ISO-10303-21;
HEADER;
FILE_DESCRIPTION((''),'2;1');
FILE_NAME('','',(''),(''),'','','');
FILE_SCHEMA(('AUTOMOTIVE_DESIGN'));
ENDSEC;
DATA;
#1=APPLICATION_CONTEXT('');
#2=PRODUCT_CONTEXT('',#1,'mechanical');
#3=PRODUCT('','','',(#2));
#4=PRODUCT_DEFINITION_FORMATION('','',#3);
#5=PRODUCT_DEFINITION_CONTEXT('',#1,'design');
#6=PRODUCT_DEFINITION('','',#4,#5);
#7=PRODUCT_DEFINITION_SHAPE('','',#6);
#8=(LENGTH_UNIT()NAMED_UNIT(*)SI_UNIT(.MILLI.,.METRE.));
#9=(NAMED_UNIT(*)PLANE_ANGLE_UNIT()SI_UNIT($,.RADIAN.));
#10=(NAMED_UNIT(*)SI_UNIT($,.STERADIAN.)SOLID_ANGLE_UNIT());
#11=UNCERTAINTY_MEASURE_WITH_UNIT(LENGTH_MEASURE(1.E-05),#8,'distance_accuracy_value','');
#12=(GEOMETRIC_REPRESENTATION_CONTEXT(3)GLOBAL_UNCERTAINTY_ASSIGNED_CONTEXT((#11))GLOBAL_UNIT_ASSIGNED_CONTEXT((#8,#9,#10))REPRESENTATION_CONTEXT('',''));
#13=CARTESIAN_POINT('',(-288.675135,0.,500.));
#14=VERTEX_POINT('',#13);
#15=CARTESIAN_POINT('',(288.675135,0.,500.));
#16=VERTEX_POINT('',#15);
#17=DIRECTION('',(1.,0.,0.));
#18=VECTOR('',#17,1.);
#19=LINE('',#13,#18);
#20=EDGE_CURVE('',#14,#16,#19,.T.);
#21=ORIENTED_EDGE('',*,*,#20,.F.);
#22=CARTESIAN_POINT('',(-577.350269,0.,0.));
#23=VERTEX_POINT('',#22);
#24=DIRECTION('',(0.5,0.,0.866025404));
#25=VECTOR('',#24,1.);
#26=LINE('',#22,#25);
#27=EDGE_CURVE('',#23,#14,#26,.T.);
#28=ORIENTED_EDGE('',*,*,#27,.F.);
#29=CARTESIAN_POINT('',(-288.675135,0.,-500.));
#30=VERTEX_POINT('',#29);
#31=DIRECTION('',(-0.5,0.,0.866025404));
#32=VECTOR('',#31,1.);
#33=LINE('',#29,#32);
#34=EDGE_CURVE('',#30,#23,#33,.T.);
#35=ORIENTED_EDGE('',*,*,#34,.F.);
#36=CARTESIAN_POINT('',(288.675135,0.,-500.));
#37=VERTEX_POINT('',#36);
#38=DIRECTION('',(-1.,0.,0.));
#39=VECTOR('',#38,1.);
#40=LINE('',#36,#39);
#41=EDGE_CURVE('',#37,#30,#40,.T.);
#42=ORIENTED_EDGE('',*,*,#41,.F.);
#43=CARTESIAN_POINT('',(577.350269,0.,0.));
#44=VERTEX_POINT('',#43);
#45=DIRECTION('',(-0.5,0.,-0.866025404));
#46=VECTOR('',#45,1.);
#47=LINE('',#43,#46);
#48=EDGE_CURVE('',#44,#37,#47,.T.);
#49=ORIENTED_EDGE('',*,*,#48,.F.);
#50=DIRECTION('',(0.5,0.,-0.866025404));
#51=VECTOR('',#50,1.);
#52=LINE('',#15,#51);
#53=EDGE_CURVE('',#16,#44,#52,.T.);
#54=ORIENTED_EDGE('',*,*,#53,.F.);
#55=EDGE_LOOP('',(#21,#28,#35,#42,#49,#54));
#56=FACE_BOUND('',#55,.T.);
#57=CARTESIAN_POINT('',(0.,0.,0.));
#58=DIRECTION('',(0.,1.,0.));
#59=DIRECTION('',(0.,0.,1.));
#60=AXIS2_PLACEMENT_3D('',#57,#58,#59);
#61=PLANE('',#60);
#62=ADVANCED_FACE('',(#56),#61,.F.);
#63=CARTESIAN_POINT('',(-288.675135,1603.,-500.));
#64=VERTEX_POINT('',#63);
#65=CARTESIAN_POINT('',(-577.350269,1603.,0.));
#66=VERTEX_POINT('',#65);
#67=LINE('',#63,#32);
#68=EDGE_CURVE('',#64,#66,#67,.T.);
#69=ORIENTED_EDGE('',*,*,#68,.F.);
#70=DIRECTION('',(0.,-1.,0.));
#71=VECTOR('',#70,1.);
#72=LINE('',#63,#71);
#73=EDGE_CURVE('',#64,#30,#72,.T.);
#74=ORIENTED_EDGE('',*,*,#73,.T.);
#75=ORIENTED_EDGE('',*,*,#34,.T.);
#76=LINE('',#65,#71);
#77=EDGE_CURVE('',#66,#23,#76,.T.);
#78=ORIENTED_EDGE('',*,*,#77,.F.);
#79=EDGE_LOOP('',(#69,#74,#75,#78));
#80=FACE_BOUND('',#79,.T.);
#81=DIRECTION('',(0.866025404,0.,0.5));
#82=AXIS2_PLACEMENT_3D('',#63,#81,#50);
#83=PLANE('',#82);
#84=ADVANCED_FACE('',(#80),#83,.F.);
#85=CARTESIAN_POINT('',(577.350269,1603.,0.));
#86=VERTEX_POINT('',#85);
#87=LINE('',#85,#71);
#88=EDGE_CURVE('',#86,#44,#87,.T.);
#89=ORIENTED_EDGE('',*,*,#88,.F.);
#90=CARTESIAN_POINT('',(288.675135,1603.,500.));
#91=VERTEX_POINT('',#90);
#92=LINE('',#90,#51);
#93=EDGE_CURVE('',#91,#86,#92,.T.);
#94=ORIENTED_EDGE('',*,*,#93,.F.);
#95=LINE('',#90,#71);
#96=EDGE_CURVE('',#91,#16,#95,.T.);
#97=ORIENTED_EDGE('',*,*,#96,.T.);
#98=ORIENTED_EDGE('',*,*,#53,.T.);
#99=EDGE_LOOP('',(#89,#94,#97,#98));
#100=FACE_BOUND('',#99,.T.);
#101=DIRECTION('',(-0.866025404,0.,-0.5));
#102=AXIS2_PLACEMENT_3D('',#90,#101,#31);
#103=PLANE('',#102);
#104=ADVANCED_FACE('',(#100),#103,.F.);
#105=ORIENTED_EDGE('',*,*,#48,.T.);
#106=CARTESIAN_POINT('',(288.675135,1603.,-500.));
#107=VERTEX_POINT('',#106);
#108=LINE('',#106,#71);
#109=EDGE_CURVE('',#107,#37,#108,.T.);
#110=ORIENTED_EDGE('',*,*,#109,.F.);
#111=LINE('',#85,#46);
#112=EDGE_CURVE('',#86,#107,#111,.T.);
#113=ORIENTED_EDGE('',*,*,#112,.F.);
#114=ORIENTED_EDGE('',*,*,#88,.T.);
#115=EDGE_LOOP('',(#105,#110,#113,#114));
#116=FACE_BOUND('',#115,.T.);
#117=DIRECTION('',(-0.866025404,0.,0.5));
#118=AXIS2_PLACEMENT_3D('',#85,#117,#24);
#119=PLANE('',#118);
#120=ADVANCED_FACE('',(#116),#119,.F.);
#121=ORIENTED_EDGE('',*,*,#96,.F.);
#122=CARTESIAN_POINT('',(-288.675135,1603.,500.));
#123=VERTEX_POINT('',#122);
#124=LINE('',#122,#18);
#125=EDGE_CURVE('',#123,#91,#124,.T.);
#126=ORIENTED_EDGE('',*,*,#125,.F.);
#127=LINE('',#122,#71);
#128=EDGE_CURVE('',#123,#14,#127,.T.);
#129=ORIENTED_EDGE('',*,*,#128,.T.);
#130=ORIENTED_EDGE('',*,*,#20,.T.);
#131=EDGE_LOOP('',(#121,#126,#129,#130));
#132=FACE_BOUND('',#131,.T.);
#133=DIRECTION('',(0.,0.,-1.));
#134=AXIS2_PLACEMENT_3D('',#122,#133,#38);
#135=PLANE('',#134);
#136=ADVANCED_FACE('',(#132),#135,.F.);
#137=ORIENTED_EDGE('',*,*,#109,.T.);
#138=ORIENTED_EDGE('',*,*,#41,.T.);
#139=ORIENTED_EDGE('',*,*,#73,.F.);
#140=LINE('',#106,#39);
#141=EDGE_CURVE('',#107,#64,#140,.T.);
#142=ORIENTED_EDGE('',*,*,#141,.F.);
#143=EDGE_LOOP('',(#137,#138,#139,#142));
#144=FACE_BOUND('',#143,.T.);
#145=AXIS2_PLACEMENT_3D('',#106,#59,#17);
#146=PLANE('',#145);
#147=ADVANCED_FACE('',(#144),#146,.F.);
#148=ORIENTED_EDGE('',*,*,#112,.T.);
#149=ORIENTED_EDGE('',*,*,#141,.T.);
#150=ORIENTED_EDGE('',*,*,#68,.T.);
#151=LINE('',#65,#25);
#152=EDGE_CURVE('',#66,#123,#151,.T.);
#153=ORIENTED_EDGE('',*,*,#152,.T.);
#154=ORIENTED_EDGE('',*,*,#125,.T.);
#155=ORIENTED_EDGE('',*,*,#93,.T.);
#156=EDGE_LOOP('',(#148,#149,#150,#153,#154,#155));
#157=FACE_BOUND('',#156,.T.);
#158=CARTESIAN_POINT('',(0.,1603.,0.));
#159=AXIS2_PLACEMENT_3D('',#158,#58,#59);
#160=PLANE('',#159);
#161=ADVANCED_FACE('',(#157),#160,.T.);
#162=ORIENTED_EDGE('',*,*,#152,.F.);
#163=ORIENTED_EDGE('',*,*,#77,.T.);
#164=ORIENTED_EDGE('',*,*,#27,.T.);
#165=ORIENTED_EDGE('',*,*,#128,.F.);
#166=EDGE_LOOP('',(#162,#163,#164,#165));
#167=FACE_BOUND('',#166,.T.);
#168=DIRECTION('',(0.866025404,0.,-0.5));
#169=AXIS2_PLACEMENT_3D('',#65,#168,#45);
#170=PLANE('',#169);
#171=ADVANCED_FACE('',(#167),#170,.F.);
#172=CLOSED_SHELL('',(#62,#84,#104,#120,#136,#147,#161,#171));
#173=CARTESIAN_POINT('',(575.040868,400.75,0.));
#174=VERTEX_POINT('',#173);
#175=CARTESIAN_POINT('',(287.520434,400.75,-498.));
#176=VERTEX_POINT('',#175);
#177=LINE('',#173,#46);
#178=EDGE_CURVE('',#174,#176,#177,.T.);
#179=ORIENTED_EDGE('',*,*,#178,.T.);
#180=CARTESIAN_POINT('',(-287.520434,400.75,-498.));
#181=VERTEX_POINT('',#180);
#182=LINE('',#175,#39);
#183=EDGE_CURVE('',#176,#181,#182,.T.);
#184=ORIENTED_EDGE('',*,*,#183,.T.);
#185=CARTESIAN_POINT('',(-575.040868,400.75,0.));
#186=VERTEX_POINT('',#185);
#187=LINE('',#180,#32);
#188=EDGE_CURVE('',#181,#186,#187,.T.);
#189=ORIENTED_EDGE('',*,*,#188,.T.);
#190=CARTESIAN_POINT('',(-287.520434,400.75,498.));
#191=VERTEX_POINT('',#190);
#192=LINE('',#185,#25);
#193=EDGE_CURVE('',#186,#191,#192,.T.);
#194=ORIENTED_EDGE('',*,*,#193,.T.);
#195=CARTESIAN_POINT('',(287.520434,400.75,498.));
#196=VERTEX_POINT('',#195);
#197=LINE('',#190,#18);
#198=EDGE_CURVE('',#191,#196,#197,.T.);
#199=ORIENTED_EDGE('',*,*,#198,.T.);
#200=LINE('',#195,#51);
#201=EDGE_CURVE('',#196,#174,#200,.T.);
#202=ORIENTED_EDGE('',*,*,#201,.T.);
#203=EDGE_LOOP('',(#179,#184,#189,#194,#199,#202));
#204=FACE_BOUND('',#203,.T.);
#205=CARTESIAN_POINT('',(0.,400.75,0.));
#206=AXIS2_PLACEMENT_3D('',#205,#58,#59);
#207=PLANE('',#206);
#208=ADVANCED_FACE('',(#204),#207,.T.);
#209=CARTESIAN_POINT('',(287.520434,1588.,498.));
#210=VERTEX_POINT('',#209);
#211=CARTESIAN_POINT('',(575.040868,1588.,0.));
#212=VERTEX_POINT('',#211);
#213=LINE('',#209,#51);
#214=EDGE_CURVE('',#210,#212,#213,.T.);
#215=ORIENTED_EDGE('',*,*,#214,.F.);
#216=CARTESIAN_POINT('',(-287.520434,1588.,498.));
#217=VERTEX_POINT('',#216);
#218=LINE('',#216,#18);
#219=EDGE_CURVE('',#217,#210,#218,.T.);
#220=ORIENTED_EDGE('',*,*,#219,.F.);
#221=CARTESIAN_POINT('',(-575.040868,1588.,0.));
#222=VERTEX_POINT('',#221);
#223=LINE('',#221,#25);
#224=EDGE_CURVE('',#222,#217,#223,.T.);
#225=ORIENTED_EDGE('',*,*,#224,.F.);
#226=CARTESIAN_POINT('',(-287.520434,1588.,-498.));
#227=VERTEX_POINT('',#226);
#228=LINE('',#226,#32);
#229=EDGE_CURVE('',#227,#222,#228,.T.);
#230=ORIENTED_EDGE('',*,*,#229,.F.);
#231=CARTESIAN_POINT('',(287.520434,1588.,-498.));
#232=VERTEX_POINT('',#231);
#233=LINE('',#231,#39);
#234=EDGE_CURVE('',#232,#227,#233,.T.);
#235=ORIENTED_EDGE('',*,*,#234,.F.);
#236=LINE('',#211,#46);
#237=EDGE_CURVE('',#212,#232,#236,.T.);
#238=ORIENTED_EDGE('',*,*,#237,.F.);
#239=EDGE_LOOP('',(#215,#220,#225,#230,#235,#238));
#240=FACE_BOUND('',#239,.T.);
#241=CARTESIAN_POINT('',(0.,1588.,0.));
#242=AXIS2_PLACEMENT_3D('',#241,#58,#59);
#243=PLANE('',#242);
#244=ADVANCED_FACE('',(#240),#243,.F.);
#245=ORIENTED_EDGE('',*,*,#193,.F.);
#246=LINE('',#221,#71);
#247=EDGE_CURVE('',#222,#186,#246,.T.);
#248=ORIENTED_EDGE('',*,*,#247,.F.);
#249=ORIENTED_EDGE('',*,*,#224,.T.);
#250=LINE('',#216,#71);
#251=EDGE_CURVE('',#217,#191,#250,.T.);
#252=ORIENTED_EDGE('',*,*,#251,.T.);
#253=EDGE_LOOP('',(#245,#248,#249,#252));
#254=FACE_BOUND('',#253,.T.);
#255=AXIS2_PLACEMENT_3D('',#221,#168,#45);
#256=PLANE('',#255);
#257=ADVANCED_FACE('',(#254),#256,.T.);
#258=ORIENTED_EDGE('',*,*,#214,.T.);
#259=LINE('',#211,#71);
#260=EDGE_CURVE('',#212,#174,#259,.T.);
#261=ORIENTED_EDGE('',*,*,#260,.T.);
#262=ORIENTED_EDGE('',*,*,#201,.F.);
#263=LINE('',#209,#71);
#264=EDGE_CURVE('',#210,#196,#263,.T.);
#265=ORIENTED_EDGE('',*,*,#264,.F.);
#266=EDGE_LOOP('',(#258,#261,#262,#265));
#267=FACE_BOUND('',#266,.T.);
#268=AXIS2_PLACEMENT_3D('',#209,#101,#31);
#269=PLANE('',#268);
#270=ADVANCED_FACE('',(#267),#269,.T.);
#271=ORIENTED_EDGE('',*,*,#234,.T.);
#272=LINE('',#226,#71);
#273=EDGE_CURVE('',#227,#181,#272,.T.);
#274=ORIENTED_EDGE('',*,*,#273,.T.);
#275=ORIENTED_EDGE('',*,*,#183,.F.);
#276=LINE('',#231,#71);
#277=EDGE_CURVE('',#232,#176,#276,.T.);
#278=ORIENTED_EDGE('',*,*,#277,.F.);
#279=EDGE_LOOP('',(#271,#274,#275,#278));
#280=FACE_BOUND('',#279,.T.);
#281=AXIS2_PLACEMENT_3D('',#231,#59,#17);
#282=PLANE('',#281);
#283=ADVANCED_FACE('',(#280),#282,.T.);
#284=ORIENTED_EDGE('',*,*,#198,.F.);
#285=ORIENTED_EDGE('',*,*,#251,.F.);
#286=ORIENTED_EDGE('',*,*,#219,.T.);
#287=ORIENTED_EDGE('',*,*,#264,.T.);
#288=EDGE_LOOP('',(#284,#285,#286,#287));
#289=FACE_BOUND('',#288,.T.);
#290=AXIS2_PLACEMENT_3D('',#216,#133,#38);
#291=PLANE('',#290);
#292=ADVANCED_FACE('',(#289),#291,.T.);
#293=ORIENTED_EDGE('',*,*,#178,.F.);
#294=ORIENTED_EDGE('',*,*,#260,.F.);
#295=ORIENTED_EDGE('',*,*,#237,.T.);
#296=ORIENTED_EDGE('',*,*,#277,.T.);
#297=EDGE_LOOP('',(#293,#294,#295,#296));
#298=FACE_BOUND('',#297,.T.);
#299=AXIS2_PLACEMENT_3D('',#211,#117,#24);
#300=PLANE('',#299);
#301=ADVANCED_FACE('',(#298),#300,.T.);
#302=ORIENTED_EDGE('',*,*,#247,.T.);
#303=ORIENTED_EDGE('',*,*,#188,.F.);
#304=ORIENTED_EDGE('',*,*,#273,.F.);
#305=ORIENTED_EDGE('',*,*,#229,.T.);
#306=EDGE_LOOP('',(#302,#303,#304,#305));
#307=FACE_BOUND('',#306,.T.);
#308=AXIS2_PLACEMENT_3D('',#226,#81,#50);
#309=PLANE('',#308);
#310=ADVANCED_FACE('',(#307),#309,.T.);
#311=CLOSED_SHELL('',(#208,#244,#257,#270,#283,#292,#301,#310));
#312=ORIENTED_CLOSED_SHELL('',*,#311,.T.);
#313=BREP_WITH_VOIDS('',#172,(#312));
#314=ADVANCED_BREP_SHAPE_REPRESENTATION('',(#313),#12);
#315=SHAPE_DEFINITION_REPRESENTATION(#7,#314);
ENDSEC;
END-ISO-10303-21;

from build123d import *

# Parameters (mm, degrees)
BOSS_EXTRUDE1_DEPTH = 1603
CUT_EXTRUDE1_DEPTH  = 1187.25


with BuildPart() as part:
    # Sketch2 → Boss-Extrude1 (new body)
    with BuildSketch(Plane(origin=(0, 0, 0), x_dir=(1, 0, 0), z_dir=(0, 1, 0))):
        Polygon((577.35026919, 0), (288.675134595, 500), (-288.675134595, 500), (-577.35026919, 0), (-288.675134595, -500), (288.675134595, -500), align=None)
    extrude(amount=BOSS_EXTRUDE1_DEPTH)

    # Sketch3 → Cut-Extrude1 (cut)
    with BuildSketch(Plane(origin=(0, 400.75, 0), x_dir=(1, 0, 0), z_dir=(0, 1, 0))):
        Polygon((575.040868113, 0), (287.520434056, 498), (-287.520434056, 498), (-575.040868113, 0), (-287.520434056, -498), (287.520434056, -498), align=None)
    extrude(amount=CUT_EXTRUDE1_DEPTH, mode=Mode.SUBTRACT)


solid = part.part
